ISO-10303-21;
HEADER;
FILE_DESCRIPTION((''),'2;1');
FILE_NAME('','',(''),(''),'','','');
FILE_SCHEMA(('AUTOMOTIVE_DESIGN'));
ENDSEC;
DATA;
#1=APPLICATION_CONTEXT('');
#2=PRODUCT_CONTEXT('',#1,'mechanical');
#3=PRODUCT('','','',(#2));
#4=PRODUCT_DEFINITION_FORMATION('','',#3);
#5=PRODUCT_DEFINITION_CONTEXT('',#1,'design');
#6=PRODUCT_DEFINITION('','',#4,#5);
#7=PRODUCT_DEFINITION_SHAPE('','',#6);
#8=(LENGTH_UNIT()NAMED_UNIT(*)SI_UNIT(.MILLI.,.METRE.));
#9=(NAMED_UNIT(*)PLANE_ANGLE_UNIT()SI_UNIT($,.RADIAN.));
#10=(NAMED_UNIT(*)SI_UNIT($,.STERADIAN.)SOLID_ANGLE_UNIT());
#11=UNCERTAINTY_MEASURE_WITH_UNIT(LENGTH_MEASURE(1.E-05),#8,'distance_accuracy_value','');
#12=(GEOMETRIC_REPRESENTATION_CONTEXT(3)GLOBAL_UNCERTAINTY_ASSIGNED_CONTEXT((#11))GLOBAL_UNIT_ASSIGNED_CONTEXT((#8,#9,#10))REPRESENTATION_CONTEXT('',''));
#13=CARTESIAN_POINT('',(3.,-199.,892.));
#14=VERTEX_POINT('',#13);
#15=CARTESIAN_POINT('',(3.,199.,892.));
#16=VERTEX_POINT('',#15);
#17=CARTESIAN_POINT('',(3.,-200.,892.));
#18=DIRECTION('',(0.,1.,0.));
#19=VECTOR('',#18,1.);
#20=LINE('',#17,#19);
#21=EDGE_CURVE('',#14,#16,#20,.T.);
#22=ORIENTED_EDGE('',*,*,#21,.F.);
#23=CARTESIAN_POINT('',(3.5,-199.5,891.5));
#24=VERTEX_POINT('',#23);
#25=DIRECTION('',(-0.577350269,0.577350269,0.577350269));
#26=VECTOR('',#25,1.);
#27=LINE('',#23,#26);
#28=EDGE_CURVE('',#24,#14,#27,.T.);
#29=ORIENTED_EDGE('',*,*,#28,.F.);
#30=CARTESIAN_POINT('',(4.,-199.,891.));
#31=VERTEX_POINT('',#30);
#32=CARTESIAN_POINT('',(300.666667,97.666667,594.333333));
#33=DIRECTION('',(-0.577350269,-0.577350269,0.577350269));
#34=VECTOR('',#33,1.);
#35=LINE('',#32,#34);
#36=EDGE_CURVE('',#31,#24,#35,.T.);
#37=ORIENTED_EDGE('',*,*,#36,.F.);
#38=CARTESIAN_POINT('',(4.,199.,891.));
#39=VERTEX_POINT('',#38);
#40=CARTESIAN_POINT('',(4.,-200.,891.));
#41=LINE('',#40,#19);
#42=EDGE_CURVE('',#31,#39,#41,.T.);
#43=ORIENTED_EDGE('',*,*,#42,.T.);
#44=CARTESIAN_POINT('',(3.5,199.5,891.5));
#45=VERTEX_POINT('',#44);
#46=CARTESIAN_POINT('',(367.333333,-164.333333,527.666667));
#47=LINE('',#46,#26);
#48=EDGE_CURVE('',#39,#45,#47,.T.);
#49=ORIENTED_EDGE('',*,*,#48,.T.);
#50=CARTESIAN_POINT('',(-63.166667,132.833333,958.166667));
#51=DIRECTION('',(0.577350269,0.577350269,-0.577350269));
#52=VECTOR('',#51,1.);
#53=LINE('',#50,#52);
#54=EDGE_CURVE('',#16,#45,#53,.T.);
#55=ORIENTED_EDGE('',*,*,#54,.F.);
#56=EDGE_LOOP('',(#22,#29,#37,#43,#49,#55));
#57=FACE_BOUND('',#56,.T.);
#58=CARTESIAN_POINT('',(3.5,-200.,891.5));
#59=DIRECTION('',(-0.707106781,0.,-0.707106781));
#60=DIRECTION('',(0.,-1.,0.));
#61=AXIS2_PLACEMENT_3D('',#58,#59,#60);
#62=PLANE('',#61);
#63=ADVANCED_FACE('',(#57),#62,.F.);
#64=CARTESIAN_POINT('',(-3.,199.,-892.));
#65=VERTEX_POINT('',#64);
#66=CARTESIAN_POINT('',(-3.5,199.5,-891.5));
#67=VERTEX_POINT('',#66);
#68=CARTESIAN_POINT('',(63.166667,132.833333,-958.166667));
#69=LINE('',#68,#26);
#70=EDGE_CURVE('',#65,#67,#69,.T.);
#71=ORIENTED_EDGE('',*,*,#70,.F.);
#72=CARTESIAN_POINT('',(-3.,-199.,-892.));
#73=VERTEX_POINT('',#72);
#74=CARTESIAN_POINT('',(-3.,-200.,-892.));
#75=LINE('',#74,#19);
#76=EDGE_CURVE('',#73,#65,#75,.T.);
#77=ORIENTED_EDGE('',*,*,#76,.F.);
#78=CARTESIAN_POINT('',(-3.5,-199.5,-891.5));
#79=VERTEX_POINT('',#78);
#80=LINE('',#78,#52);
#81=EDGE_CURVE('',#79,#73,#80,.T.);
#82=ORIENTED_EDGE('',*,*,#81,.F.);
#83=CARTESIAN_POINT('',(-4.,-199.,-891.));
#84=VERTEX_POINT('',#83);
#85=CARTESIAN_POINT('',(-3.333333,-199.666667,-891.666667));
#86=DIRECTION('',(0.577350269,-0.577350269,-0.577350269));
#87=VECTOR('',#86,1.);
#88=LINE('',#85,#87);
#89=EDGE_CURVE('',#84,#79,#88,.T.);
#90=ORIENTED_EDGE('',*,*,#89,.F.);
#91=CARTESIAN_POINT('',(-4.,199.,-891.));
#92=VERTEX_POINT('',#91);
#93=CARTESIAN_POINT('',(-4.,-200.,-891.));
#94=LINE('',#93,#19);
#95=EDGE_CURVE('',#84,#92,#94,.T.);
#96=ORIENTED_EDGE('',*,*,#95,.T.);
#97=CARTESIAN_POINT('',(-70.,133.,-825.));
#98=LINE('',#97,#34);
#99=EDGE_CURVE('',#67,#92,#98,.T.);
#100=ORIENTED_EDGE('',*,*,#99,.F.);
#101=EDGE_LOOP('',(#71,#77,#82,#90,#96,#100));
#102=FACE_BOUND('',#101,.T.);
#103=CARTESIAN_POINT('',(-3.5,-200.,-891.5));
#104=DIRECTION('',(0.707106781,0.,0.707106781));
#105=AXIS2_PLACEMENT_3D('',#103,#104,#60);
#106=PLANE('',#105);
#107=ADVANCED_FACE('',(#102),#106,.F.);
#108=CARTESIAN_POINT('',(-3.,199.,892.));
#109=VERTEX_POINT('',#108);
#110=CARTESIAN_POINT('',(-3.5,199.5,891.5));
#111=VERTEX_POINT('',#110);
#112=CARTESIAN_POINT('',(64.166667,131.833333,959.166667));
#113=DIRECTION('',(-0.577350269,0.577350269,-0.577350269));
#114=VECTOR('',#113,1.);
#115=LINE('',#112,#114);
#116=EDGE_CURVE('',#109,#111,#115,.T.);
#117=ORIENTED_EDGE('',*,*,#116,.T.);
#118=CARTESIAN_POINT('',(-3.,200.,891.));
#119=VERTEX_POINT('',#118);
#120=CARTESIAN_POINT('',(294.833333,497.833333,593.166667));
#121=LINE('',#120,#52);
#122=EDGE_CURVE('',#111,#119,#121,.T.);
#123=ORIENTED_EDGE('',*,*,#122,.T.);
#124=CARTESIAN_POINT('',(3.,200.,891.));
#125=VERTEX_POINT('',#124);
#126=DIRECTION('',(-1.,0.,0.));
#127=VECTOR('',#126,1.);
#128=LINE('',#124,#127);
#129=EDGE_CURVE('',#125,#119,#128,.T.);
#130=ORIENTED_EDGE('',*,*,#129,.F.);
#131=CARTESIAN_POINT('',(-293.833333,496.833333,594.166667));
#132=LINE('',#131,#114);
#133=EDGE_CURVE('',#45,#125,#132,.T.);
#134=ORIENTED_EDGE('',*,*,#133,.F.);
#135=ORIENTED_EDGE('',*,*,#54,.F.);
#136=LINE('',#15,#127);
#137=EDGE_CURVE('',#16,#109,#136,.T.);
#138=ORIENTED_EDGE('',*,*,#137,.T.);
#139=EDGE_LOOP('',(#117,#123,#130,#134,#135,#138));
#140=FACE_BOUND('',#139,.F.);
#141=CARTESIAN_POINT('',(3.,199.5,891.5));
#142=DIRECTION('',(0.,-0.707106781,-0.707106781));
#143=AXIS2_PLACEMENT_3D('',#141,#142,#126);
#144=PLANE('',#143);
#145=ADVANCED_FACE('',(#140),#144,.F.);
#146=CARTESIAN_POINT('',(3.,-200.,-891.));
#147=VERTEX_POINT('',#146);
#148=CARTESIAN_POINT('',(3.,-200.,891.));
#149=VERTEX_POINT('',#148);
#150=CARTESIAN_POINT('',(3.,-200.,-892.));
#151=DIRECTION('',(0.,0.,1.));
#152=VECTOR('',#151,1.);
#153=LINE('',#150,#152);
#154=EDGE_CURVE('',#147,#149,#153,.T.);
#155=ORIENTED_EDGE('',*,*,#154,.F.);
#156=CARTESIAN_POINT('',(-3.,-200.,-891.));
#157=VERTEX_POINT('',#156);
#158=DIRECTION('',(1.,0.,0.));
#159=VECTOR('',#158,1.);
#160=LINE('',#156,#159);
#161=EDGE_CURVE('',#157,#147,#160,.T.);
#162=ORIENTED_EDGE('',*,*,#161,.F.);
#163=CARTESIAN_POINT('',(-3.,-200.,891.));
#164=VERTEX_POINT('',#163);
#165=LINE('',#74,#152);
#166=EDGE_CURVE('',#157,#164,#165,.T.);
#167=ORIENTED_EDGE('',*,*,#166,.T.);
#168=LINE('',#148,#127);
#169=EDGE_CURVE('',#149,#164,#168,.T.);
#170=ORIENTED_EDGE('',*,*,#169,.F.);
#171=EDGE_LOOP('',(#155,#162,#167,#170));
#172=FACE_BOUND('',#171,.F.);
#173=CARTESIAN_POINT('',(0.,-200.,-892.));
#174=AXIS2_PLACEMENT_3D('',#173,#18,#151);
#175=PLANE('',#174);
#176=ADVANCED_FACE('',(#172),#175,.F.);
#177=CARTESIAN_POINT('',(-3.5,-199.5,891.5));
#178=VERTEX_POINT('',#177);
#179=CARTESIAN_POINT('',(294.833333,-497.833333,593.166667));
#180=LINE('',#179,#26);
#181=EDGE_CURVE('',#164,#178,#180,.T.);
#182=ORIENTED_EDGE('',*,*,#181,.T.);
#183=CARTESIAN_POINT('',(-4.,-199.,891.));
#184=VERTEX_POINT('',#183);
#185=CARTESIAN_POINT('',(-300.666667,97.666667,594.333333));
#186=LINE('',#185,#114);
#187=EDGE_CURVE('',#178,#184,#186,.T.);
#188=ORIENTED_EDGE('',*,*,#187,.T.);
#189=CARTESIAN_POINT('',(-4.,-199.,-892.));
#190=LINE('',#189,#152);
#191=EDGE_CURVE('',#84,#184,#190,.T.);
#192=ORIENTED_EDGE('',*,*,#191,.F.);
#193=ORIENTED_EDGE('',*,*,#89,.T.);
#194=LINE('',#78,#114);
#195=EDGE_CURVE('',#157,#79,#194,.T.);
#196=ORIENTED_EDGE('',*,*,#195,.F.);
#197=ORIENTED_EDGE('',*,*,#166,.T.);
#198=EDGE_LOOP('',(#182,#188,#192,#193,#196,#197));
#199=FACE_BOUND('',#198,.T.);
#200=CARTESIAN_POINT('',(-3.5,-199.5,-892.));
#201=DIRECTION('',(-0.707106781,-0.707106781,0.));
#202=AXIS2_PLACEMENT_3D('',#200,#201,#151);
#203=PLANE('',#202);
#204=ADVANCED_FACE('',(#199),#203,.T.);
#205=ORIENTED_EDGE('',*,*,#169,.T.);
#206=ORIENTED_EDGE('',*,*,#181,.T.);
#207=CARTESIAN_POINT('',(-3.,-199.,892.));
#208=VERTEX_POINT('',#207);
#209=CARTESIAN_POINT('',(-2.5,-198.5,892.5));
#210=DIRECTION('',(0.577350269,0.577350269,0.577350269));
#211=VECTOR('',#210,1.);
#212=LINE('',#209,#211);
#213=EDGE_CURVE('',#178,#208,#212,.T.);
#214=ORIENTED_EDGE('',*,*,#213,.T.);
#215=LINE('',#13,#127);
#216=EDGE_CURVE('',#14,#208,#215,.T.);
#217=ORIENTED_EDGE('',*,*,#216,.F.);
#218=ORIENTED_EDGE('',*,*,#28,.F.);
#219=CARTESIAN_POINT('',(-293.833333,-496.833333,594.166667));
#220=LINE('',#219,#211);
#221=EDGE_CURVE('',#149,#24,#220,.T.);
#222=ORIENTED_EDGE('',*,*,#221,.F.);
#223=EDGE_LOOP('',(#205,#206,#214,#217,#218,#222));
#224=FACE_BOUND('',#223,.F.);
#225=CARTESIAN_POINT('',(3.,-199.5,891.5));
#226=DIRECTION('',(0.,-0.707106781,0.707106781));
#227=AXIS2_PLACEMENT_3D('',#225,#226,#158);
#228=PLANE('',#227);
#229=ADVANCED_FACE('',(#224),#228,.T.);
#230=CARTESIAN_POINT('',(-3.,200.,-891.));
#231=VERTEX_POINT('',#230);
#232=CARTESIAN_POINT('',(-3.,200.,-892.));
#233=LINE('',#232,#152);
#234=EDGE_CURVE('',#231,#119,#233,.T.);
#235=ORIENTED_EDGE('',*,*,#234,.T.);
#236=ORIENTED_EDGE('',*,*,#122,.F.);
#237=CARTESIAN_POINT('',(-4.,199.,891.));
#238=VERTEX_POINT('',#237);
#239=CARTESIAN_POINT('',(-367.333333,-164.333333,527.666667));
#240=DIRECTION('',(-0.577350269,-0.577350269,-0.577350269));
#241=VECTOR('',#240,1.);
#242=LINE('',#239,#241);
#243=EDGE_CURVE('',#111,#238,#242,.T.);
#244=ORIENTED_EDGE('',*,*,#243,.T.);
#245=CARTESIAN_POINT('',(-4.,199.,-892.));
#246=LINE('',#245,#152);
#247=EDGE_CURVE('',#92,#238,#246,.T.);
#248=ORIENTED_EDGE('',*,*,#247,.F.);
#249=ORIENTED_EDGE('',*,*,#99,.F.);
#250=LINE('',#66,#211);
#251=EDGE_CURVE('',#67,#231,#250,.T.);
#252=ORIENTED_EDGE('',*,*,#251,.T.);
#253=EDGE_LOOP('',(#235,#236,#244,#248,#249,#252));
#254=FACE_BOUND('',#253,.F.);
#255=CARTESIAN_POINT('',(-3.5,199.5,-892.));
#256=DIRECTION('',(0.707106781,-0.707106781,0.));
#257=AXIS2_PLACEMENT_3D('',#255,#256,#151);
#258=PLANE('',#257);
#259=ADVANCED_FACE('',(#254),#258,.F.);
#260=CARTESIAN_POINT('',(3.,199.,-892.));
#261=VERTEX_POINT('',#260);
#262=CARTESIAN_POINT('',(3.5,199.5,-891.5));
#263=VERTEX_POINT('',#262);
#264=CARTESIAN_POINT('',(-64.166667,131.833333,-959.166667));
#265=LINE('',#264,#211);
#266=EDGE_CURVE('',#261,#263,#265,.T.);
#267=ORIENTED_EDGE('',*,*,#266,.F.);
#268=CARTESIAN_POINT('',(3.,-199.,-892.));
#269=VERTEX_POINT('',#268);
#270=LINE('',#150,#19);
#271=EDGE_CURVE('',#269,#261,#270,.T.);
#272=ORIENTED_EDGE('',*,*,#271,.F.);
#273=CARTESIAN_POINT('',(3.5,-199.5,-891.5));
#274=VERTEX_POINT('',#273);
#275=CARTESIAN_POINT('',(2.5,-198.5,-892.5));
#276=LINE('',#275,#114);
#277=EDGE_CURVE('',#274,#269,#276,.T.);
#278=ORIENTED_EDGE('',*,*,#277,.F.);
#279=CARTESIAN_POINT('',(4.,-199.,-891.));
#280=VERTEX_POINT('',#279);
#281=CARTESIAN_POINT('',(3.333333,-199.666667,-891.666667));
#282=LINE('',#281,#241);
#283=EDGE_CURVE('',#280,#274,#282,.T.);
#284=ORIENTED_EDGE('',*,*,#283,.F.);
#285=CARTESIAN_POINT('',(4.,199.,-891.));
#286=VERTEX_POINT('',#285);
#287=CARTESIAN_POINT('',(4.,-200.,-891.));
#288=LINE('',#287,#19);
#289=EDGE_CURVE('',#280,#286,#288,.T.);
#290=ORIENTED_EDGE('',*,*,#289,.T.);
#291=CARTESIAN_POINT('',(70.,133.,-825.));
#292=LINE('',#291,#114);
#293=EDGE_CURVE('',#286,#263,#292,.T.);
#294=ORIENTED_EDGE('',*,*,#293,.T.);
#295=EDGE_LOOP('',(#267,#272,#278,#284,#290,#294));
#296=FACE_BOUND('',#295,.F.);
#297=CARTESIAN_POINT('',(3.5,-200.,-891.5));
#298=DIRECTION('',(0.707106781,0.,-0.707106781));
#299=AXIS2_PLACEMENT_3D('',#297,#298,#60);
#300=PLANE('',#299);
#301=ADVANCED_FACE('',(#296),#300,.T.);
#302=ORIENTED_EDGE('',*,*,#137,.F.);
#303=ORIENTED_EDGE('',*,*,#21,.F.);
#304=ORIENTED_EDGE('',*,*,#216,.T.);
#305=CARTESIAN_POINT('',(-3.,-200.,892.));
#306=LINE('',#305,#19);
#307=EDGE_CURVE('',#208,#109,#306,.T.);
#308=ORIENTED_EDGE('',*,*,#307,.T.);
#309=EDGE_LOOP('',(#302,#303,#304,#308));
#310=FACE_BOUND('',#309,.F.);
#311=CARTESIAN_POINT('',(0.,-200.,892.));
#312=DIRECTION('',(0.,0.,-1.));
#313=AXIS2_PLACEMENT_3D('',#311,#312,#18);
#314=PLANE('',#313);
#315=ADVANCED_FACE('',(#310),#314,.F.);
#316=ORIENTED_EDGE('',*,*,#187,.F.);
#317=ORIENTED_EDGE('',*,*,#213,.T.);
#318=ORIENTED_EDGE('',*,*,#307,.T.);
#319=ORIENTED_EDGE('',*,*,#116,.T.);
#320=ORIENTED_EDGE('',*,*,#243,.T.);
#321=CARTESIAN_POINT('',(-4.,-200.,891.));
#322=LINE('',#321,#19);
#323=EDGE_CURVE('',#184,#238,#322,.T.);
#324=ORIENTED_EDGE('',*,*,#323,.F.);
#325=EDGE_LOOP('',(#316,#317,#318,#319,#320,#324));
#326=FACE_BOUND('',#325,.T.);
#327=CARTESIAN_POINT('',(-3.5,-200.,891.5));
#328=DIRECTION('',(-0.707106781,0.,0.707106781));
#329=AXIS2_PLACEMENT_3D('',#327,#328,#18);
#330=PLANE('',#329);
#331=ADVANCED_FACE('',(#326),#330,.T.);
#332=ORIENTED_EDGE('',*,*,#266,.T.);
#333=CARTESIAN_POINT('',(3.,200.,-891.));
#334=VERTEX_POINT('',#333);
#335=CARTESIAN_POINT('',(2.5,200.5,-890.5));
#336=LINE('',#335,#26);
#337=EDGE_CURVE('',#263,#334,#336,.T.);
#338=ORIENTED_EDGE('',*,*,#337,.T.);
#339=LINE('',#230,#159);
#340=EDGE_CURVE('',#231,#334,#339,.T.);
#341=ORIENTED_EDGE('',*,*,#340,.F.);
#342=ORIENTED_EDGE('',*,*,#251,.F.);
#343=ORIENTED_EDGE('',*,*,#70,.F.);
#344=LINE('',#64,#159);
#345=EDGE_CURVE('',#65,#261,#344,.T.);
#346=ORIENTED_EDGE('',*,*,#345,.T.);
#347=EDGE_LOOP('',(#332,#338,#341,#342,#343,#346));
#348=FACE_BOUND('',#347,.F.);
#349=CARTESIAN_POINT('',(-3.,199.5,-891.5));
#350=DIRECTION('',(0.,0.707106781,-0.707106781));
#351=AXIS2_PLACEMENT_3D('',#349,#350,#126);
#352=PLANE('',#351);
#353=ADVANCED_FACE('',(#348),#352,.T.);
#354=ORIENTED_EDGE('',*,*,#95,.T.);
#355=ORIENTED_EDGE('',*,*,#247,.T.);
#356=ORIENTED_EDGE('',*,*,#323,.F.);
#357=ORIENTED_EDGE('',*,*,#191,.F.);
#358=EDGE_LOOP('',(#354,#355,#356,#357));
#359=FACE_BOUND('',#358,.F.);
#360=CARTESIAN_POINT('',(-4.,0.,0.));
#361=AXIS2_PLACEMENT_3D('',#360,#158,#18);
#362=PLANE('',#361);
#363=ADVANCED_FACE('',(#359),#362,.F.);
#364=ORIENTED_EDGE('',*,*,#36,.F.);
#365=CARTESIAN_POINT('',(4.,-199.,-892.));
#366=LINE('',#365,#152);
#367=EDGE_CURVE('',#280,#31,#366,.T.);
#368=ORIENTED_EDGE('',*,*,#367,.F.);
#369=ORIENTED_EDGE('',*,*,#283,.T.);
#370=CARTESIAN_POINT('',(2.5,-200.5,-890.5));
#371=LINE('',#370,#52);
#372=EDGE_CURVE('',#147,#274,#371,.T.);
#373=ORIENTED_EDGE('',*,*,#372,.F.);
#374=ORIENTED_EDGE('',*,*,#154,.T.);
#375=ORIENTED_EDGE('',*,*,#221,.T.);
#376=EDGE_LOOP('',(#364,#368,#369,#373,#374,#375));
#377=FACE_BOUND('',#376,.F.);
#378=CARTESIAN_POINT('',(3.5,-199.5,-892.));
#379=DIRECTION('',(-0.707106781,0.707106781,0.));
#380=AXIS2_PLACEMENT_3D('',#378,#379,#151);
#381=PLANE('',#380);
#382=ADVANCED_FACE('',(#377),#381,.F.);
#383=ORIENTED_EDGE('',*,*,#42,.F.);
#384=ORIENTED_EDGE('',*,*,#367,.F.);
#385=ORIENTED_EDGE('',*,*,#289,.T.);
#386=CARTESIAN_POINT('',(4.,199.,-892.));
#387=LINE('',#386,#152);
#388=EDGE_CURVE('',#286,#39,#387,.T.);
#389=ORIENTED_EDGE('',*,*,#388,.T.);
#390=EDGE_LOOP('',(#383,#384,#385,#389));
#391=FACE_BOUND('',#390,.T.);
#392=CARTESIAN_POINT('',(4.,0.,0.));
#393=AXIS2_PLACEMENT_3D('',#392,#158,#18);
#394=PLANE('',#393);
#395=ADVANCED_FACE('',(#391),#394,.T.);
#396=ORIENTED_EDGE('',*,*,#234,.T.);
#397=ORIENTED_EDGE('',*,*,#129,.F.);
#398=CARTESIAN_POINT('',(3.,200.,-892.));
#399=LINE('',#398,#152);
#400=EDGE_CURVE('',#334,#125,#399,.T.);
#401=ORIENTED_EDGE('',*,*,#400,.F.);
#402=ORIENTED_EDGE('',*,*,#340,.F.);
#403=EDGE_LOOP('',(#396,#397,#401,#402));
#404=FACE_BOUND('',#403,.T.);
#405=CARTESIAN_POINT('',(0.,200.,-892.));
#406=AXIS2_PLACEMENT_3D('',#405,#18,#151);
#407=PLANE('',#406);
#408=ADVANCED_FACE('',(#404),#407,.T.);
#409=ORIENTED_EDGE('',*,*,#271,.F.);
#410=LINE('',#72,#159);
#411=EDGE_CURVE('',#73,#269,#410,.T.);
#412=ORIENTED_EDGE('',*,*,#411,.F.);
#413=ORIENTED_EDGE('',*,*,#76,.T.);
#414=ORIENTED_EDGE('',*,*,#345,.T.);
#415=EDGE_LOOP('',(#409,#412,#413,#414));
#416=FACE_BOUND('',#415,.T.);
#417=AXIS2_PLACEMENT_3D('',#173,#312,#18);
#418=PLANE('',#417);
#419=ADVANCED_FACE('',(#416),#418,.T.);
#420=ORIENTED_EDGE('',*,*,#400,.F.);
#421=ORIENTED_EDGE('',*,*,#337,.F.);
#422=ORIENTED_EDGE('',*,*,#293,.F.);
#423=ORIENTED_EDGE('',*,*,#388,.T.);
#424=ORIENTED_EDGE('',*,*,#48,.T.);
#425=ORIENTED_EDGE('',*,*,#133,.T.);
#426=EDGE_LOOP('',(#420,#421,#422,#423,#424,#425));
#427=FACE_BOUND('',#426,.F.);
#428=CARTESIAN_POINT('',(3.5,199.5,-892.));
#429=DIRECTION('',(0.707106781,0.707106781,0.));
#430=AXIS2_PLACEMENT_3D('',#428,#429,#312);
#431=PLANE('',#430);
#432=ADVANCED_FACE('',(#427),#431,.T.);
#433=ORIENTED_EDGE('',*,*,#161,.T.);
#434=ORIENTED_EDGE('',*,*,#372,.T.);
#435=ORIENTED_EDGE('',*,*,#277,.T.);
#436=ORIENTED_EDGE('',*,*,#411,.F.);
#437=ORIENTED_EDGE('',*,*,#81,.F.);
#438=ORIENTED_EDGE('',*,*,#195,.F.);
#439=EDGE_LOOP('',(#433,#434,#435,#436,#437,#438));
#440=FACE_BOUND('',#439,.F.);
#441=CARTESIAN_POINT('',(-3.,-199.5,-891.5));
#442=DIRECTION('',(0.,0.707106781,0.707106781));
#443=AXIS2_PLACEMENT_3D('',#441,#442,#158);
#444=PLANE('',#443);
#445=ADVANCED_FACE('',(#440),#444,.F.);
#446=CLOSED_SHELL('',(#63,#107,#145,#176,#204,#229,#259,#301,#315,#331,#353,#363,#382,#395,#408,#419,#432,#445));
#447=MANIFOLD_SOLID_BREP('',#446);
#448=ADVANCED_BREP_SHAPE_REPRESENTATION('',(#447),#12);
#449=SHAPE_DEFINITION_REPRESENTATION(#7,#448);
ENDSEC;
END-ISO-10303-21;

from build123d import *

# Parameters (mm, degrees)
F0_W     = 400
F0_H     = 1784
F1_DEPTH = 4
F2_SIZE  = 1
F3_SIZE  = 1


with BuildPart() as f1:
    # F0 (on Right) → F1 (new body, symmetric)
    with BuildSketch(Plane.YZ):
        Rectangle(F0_W, F0_H)
    extrude(amount=F1_DEPTH, both=True)

    # F2
    f2_edges = [f1.edges().sort_by_distance(p)[0] for p in [
        (4, 200, 0),
        (-4, 200, 0),
        (4, 0, 892),
        (-4, 0, 892),
        (-4, 0, -892),
        (4, 0, -892),
        (-4, -200, 0),
        (4, -200, 0),
    ]]
    chamfer(f2_edges, length=F2_SIZE)

    # F3
    f3_edges = [f1.edges().sort_by_distance(p)[0] for p in [
        (0, 200, -892),
        (0, -200, -892),
        (0, -200, 892),
        (0, 200, 892),
    ]]
    chamfer(f3_edges, length=F3_SIZE)


solid = f1.part
